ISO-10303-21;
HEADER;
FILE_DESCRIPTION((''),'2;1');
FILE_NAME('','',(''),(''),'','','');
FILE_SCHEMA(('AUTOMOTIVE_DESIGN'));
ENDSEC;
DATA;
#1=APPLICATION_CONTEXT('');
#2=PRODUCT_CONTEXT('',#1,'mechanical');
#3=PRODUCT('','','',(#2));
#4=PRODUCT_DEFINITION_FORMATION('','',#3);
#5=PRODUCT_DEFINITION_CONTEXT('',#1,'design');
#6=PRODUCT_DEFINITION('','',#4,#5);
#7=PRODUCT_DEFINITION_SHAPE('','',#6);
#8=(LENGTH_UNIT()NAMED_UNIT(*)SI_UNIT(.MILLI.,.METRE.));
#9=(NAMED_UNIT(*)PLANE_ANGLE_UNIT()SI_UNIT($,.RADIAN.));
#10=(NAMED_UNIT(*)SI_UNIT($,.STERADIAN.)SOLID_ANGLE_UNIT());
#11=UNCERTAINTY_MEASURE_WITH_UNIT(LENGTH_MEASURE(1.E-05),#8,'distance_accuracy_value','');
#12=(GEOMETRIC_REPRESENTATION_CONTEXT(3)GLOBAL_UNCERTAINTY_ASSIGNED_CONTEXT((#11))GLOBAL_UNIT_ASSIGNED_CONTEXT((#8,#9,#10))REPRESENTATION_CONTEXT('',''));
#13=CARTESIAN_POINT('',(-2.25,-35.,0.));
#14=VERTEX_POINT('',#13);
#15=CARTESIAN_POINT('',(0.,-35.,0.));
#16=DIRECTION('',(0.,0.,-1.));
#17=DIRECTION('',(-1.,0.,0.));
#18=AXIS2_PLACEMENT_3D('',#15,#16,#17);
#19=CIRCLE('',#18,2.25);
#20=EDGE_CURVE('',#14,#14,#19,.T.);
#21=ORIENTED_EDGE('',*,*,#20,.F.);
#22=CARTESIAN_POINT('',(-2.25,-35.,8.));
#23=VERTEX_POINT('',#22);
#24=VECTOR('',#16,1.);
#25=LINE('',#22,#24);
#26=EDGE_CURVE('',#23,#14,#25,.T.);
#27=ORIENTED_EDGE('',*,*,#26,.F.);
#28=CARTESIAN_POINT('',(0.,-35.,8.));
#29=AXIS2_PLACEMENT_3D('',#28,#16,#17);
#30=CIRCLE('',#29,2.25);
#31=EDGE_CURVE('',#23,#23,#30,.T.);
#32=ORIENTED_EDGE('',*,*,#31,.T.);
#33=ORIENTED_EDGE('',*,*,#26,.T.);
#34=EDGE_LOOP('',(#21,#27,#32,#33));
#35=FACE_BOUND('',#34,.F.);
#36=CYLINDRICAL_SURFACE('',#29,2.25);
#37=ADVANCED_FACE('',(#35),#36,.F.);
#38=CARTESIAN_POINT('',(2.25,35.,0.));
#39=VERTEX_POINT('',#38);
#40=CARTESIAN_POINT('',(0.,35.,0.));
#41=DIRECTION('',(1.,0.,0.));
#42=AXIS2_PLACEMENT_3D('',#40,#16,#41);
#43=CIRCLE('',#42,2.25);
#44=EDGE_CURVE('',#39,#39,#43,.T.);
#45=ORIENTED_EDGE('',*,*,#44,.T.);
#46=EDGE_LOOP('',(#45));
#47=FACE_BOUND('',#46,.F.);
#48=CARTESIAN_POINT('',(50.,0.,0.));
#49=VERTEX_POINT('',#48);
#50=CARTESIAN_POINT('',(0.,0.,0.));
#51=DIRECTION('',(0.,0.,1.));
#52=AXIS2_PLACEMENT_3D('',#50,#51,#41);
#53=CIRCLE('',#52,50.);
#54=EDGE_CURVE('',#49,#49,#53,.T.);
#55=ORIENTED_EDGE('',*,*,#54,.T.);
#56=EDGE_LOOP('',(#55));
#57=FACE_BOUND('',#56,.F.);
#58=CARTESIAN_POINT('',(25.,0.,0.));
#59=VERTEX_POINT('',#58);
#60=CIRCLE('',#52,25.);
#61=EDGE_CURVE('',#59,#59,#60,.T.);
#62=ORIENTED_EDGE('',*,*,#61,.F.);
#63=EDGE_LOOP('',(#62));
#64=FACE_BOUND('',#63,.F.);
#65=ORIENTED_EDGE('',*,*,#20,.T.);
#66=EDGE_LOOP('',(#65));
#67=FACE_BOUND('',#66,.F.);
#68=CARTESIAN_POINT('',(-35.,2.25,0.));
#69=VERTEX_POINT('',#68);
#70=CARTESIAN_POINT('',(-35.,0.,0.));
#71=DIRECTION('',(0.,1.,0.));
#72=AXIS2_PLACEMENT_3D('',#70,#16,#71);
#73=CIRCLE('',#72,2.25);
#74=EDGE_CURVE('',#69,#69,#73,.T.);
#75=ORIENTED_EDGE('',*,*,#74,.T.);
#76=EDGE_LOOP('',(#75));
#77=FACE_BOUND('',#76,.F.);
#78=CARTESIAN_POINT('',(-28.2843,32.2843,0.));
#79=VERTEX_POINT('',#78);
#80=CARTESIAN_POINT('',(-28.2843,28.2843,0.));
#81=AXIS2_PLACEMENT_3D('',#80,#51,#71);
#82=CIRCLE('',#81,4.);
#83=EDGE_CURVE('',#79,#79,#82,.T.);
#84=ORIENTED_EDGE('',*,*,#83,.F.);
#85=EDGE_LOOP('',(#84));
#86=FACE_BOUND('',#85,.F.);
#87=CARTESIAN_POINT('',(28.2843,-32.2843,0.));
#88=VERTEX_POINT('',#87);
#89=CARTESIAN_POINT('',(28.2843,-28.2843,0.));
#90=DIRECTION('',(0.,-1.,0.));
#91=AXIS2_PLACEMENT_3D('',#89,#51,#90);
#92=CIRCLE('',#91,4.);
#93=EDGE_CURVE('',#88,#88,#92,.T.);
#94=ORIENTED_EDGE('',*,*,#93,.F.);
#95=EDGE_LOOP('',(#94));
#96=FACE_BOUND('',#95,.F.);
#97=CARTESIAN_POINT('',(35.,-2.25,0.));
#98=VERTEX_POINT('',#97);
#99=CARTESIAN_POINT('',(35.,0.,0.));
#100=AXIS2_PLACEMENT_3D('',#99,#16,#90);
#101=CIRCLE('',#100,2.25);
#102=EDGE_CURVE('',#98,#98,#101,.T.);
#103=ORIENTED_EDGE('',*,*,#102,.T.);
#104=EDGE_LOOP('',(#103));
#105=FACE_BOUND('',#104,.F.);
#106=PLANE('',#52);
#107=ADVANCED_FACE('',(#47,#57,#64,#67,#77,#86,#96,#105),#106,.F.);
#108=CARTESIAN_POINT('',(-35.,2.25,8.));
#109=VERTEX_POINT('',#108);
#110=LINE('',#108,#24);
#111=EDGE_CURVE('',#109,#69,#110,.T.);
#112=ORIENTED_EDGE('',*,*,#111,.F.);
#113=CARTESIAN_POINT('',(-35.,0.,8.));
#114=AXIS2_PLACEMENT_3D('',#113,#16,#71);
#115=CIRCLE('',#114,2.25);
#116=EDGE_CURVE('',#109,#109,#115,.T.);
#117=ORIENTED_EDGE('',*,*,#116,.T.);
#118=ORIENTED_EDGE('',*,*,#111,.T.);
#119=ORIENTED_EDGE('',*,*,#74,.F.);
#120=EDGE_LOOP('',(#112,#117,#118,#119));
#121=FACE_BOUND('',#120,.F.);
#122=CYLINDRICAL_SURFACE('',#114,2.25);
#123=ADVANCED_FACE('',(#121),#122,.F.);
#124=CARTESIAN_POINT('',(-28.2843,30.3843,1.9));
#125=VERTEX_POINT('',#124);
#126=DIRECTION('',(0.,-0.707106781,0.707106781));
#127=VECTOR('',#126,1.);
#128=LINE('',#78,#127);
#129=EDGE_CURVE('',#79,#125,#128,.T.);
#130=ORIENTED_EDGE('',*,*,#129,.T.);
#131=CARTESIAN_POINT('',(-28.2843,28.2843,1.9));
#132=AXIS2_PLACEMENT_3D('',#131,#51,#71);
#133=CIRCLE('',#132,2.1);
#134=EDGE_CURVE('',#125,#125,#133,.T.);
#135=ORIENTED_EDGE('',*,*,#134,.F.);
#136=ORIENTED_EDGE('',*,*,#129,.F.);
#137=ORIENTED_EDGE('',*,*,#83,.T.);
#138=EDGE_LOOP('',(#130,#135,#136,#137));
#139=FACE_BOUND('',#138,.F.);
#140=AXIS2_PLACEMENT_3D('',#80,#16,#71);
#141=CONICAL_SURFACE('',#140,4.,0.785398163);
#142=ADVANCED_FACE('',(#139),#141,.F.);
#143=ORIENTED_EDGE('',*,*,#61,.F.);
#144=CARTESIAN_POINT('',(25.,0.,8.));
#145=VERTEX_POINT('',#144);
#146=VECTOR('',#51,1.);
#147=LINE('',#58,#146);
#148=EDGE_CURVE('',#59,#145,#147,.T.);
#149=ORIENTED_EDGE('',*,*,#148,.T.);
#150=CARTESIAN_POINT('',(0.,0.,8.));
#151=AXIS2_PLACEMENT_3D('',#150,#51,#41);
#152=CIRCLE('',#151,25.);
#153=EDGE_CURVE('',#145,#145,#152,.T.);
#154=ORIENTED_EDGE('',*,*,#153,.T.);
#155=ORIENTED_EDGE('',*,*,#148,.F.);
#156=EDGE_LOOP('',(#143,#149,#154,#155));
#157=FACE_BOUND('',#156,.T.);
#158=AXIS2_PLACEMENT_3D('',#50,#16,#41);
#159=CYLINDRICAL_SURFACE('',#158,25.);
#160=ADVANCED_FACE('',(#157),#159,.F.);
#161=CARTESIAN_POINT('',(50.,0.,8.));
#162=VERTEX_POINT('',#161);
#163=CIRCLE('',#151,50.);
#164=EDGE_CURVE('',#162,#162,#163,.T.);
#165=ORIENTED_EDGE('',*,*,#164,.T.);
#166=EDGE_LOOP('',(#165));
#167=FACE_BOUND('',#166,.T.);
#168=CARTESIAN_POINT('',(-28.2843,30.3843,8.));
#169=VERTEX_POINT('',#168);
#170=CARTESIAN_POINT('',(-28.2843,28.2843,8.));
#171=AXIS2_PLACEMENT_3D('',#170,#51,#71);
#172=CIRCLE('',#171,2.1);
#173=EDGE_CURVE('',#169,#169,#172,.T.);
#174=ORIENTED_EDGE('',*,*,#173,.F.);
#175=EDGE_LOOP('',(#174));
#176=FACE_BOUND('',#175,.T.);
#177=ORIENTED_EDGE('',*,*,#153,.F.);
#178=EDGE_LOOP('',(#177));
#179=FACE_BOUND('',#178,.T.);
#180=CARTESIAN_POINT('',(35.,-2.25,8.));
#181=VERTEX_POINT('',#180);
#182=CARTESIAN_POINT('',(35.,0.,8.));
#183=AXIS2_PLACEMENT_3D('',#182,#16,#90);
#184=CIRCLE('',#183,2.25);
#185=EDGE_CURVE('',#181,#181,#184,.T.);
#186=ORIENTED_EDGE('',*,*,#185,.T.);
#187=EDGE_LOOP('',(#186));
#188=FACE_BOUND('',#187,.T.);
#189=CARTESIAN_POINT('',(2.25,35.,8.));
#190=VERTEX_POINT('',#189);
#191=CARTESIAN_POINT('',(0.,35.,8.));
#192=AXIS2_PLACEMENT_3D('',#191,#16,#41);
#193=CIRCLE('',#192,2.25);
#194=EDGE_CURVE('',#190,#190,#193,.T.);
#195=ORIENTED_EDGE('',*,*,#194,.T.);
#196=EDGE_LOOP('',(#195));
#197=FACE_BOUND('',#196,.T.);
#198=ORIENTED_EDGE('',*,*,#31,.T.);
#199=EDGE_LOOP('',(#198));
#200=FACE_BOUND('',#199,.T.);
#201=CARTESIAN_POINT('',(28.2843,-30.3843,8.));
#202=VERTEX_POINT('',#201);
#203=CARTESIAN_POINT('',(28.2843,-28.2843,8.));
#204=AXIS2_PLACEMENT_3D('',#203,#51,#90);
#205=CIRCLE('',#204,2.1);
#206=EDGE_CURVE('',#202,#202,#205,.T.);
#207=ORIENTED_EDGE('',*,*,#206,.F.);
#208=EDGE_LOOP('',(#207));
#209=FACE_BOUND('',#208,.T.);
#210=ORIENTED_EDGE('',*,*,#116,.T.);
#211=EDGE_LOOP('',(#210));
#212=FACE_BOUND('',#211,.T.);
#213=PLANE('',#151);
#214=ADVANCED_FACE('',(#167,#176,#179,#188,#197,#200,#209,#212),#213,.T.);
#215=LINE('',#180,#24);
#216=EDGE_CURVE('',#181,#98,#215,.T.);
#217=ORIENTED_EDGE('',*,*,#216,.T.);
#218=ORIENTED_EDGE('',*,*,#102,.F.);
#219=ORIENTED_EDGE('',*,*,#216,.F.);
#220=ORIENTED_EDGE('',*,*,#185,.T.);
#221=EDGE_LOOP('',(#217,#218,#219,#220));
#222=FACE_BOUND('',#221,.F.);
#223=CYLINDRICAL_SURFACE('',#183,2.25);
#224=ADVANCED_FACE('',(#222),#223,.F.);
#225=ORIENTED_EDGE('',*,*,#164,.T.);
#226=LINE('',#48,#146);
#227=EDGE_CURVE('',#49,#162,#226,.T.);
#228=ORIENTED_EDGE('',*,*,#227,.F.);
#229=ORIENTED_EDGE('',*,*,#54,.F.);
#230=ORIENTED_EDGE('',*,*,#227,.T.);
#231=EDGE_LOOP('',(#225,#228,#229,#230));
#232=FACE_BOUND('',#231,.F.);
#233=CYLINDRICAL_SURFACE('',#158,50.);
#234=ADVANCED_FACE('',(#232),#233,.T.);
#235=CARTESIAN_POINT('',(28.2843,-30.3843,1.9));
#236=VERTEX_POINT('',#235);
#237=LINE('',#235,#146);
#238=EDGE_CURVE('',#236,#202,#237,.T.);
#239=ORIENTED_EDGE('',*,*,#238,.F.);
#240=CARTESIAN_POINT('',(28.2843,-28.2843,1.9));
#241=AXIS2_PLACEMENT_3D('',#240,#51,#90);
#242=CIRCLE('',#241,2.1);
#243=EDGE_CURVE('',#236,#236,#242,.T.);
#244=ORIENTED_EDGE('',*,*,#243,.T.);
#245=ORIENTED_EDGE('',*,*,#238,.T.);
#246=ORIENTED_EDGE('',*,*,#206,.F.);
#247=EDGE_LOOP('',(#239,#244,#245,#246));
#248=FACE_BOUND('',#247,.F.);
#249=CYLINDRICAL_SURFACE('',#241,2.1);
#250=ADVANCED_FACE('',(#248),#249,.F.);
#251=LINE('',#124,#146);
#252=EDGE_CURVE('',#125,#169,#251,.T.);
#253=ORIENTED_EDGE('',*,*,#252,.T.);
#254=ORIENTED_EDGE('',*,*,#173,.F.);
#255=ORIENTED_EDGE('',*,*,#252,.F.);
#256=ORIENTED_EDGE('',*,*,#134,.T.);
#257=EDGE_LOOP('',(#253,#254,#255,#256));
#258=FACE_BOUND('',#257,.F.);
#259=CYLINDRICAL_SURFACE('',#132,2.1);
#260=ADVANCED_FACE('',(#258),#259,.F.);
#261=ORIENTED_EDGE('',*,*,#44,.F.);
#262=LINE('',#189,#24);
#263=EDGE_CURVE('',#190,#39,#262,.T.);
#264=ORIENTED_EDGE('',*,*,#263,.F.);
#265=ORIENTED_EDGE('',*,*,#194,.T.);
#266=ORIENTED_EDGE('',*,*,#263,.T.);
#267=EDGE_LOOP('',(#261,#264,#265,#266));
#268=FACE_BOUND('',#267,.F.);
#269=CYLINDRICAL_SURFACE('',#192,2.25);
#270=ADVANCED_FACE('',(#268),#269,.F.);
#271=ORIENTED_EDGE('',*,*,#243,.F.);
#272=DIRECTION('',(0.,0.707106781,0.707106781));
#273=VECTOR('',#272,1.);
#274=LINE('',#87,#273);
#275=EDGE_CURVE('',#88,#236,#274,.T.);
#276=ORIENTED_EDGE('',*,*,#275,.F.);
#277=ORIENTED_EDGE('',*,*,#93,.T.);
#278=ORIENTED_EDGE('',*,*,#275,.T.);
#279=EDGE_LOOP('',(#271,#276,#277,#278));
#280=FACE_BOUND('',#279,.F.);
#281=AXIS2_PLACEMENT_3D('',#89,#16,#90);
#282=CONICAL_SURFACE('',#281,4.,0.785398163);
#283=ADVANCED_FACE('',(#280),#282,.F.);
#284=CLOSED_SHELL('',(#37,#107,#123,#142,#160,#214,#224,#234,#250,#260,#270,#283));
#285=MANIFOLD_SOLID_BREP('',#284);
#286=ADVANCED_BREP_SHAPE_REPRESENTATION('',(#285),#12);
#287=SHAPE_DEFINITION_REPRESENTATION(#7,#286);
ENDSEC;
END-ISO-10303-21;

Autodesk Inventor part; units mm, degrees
ref_plane "YZ Plane" through (0, 0, 0) normal (1, 0, 0) x (0, 1, 0)
ref_plane "XZ Plane" through (0, 0, 0) normal (0, 1, 0) x (-1, 0, 0)
ref_plane "XY Plane" through (0, 0, 0) normal (0, 0, 1) x (1, 0, 0)
sketch "Sketch2" plane through (0, 0, 0) normal (0, 0, 1) x (1, 0, 0)
  circle A0 centre (0, 0) radius 25
  circle A1 centre (0, 0) radius 50
  dimension "d11" = 100
  dimension "d12" = 50
extrude "Extrusion2" add sketch "Sketch2" along normal blind 8
sketch "Sketch3" plane through (0, 0, 8) normal (0, 0, 1) x (1, 0, 0)
  point P0 (0, 0)
  point P1 (35, 0)
  dimension "d15" = 35
hole "Hole1" at (35, 0, 8) direction (0, 0, -1) diameter 4.5 depth 8 tip angle 118
pattern_circular "Circular Pattern1" count 4 over 360 about axis through (0, 0, 0) along (0, 0, 1) of "Hole1"
sketch "Sketch4" plane through (0, 0, 0) normal (0, 0, -1) x (-1, 0, 0)
  line L0 (0, 0) -> (28.2843, 28.2843)
  line L1 (0, 0) -> (17.6035, 0)
  dimension "d26" = 45
  dimension "d27" = 40
hole "Hole2" at (-28.2843, 28.2843, 0) direction (0, 0, 1) diameter 4.2 depth 8 tip angle 118 countersink diameter 8 countersink angle 90
pattern_circular "Circular Pattern2" count 2 over 360 about axis through (0, 0, 0) along (0, 0, 1) of "Hole2"
properties part number "M20 - Flange Connector" material "ABS Plastic"
